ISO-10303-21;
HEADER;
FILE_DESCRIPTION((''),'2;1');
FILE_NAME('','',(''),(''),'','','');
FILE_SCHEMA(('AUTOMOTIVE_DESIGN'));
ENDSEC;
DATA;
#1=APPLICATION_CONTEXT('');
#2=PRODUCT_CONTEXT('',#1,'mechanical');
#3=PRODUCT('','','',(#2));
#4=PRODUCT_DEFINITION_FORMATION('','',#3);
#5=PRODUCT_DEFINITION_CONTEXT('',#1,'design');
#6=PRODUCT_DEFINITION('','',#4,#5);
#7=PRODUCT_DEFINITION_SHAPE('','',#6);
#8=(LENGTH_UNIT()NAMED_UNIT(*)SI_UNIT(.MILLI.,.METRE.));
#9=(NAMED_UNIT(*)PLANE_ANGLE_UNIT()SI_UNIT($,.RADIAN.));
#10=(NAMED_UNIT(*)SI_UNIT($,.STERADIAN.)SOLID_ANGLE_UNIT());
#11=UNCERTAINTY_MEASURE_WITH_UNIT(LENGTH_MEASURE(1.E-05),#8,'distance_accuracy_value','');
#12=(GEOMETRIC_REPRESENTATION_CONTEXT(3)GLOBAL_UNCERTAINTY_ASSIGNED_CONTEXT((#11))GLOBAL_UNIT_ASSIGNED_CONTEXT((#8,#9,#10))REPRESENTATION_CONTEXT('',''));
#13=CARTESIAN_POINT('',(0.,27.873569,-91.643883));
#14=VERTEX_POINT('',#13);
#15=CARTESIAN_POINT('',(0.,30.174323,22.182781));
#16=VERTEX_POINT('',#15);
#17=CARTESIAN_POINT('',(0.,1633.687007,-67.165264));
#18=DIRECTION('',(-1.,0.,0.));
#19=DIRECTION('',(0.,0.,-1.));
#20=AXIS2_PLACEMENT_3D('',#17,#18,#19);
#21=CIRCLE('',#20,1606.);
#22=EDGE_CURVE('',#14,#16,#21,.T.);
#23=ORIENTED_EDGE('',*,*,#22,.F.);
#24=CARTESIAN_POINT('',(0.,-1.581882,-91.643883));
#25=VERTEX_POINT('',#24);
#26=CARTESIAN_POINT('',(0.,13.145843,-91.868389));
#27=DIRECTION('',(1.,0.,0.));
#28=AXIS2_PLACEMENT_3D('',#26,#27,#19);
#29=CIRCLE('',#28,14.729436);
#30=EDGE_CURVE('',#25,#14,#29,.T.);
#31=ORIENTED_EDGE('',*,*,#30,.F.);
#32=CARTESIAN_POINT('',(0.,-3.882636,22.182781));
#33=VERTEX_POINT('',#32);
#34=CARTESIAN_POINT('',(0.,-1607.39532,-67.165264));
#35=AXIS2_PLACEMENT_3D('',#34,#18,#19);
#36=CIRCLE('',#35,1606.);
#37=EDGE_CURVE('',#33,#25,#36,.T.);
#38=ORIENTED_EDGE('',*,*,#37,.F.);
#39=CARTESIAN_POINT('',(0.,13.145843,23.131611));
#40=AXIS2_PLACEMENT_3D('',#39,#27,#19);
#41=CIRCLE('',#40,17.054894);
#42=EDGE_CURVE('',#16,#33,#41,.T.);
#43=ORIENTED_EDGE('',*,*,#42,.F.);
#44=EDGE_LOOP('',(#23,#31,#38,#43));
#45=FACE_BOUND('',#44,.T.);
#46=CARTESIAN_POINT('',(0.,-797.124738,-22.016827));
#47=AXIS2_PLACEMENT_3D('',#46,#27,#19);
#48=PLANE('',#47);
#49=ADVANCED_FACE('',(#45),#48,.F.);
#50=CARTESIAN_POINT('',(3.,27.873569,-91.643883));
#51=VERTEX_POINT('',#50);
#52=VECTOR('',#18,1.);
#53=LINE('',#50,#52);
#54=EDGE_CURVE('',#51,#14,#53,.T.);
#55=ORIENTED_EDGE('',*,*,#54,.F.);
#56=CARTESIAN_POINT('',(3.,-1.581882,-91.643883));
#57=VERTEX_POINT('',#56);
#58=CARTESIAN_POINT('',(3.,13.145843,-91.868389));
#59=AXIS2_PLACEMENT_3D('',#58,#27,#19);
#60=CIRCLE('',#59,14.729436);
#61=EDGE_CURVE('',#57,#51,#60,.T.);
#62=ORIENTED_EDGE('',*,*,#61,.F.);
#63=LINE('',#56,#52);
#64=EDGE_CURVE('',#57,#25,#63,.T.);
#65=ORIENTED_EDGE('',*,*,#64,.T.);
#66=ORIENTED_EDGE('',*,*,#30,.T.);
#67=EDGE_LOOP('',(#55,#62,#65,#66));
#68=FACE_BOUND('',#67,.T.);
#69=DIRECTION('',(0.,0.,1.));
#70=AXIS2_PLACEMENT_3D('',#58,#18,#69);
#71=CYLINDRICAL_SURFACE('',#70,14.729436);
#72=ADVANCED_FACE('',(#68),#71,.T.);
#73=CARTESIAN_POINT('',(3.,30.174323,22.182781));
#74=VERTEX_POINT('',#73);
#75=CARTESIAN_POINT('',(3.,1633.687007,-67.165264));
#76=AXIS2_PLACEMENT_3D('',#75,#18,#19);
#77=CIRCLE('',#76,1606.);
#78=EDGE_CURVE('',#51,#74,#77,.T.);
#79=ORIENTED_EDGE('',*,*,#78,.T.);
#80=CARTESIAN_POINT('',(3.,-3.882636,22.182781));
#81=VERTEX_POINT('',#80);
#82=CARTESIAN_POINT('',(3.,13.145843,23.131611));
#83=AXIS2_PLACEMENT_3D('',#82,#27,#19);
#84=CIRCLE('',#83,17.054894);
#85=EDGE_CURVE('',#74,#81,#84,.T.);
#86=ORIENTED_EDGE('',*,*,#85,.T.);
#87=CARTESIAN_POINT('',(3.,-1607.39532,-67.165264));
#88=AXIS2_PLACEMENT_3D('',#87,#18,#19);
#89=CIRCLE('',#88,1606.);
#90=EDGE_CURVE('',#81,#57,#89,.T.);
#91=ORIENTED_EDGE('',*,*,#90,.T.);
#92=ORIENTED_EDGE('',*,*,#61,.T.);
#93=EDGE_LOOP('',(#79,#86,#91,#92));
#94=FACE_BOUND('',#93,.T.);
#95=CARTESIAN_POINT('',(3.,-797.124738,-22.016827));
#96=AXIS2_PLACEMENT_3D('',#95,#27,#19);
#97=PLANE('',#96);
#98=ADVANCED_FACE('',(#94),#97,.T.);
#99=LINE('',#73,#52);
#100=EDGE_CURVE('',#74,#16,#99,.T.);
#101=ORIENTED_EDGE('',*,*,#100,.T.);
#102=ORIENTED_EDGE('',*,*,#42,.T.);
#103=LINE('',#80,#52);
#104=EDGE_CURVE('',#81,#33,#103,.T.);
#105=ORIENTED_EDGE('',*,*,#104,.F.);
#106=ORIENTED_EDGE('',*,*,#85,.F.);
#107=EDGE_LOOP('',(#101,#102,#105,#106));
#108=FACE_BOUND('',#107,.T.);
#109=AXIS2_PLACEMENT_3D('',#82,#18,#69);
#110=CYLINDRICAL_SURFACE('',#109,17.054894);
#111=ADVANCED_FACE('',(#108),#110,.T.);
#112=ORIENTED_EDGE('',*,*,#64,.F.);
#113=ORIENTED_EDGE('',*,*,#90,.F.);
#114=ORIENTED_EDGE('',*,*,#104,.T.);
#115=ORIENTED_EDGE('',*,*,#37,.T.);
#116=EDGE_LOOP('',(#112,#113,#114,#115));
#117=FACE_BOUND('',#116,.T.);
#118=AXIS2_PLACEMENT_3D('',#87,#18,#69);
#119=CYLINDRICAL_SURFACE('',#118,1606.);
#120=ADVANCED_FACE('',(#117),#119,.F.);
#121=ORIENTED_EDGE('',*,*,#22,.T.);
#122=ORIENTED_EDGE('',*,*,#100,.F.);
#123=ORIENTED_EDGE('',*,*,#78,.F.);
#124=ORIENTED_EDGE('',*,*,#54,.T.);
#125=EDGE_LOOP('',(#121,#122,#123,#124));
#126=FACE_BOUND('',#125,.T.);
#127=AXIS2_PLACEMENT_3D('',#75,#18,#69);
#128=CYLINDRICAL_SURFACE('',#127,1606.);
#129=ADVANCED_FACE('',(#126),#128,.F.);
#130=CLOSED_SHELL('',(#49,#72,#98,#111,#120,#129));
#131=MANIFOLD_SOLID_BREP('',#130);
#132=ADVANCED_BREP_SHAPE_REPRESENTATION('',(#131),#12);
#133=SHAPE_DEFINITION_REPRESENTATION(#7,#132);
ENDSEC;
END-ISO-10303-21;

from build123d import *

# Parameters (mm, degrees)
BOSS_EXTRUDE1_DEPTH = 3


with BuildPart() as part:
    # Sketch1 → Boss-Extrude1 (new body)
    with BuildSketch(Plane(origin=(0, 0, 0), x_dir=(0, 0, -1), z_dir=(1, 0, 0))):
        with BuildLine():
            ThreePointArc((-22.182780604, 30.174322804), (34.710157315, 28.014977126), (91.643883369, 27.873568683))
            ThreePointArc((91.643883369, 27.873568683), (106.597825612, 13.145843266), (91.643883369, -1.581882151))
            ThreePointArc((91.643883369, -1.581882151), (34.710157315, -1.723290594), (-22.182780604, -3.882636272))
            ThreePointArc((-22.182780604, -3.882636272), (-40.186504418, 13.145843266), (-22.182780604, 30.174322804))
        make_face()
    extrude(amount=BOSS_EXTRUDE1_DEPTH)


solid = part.part
